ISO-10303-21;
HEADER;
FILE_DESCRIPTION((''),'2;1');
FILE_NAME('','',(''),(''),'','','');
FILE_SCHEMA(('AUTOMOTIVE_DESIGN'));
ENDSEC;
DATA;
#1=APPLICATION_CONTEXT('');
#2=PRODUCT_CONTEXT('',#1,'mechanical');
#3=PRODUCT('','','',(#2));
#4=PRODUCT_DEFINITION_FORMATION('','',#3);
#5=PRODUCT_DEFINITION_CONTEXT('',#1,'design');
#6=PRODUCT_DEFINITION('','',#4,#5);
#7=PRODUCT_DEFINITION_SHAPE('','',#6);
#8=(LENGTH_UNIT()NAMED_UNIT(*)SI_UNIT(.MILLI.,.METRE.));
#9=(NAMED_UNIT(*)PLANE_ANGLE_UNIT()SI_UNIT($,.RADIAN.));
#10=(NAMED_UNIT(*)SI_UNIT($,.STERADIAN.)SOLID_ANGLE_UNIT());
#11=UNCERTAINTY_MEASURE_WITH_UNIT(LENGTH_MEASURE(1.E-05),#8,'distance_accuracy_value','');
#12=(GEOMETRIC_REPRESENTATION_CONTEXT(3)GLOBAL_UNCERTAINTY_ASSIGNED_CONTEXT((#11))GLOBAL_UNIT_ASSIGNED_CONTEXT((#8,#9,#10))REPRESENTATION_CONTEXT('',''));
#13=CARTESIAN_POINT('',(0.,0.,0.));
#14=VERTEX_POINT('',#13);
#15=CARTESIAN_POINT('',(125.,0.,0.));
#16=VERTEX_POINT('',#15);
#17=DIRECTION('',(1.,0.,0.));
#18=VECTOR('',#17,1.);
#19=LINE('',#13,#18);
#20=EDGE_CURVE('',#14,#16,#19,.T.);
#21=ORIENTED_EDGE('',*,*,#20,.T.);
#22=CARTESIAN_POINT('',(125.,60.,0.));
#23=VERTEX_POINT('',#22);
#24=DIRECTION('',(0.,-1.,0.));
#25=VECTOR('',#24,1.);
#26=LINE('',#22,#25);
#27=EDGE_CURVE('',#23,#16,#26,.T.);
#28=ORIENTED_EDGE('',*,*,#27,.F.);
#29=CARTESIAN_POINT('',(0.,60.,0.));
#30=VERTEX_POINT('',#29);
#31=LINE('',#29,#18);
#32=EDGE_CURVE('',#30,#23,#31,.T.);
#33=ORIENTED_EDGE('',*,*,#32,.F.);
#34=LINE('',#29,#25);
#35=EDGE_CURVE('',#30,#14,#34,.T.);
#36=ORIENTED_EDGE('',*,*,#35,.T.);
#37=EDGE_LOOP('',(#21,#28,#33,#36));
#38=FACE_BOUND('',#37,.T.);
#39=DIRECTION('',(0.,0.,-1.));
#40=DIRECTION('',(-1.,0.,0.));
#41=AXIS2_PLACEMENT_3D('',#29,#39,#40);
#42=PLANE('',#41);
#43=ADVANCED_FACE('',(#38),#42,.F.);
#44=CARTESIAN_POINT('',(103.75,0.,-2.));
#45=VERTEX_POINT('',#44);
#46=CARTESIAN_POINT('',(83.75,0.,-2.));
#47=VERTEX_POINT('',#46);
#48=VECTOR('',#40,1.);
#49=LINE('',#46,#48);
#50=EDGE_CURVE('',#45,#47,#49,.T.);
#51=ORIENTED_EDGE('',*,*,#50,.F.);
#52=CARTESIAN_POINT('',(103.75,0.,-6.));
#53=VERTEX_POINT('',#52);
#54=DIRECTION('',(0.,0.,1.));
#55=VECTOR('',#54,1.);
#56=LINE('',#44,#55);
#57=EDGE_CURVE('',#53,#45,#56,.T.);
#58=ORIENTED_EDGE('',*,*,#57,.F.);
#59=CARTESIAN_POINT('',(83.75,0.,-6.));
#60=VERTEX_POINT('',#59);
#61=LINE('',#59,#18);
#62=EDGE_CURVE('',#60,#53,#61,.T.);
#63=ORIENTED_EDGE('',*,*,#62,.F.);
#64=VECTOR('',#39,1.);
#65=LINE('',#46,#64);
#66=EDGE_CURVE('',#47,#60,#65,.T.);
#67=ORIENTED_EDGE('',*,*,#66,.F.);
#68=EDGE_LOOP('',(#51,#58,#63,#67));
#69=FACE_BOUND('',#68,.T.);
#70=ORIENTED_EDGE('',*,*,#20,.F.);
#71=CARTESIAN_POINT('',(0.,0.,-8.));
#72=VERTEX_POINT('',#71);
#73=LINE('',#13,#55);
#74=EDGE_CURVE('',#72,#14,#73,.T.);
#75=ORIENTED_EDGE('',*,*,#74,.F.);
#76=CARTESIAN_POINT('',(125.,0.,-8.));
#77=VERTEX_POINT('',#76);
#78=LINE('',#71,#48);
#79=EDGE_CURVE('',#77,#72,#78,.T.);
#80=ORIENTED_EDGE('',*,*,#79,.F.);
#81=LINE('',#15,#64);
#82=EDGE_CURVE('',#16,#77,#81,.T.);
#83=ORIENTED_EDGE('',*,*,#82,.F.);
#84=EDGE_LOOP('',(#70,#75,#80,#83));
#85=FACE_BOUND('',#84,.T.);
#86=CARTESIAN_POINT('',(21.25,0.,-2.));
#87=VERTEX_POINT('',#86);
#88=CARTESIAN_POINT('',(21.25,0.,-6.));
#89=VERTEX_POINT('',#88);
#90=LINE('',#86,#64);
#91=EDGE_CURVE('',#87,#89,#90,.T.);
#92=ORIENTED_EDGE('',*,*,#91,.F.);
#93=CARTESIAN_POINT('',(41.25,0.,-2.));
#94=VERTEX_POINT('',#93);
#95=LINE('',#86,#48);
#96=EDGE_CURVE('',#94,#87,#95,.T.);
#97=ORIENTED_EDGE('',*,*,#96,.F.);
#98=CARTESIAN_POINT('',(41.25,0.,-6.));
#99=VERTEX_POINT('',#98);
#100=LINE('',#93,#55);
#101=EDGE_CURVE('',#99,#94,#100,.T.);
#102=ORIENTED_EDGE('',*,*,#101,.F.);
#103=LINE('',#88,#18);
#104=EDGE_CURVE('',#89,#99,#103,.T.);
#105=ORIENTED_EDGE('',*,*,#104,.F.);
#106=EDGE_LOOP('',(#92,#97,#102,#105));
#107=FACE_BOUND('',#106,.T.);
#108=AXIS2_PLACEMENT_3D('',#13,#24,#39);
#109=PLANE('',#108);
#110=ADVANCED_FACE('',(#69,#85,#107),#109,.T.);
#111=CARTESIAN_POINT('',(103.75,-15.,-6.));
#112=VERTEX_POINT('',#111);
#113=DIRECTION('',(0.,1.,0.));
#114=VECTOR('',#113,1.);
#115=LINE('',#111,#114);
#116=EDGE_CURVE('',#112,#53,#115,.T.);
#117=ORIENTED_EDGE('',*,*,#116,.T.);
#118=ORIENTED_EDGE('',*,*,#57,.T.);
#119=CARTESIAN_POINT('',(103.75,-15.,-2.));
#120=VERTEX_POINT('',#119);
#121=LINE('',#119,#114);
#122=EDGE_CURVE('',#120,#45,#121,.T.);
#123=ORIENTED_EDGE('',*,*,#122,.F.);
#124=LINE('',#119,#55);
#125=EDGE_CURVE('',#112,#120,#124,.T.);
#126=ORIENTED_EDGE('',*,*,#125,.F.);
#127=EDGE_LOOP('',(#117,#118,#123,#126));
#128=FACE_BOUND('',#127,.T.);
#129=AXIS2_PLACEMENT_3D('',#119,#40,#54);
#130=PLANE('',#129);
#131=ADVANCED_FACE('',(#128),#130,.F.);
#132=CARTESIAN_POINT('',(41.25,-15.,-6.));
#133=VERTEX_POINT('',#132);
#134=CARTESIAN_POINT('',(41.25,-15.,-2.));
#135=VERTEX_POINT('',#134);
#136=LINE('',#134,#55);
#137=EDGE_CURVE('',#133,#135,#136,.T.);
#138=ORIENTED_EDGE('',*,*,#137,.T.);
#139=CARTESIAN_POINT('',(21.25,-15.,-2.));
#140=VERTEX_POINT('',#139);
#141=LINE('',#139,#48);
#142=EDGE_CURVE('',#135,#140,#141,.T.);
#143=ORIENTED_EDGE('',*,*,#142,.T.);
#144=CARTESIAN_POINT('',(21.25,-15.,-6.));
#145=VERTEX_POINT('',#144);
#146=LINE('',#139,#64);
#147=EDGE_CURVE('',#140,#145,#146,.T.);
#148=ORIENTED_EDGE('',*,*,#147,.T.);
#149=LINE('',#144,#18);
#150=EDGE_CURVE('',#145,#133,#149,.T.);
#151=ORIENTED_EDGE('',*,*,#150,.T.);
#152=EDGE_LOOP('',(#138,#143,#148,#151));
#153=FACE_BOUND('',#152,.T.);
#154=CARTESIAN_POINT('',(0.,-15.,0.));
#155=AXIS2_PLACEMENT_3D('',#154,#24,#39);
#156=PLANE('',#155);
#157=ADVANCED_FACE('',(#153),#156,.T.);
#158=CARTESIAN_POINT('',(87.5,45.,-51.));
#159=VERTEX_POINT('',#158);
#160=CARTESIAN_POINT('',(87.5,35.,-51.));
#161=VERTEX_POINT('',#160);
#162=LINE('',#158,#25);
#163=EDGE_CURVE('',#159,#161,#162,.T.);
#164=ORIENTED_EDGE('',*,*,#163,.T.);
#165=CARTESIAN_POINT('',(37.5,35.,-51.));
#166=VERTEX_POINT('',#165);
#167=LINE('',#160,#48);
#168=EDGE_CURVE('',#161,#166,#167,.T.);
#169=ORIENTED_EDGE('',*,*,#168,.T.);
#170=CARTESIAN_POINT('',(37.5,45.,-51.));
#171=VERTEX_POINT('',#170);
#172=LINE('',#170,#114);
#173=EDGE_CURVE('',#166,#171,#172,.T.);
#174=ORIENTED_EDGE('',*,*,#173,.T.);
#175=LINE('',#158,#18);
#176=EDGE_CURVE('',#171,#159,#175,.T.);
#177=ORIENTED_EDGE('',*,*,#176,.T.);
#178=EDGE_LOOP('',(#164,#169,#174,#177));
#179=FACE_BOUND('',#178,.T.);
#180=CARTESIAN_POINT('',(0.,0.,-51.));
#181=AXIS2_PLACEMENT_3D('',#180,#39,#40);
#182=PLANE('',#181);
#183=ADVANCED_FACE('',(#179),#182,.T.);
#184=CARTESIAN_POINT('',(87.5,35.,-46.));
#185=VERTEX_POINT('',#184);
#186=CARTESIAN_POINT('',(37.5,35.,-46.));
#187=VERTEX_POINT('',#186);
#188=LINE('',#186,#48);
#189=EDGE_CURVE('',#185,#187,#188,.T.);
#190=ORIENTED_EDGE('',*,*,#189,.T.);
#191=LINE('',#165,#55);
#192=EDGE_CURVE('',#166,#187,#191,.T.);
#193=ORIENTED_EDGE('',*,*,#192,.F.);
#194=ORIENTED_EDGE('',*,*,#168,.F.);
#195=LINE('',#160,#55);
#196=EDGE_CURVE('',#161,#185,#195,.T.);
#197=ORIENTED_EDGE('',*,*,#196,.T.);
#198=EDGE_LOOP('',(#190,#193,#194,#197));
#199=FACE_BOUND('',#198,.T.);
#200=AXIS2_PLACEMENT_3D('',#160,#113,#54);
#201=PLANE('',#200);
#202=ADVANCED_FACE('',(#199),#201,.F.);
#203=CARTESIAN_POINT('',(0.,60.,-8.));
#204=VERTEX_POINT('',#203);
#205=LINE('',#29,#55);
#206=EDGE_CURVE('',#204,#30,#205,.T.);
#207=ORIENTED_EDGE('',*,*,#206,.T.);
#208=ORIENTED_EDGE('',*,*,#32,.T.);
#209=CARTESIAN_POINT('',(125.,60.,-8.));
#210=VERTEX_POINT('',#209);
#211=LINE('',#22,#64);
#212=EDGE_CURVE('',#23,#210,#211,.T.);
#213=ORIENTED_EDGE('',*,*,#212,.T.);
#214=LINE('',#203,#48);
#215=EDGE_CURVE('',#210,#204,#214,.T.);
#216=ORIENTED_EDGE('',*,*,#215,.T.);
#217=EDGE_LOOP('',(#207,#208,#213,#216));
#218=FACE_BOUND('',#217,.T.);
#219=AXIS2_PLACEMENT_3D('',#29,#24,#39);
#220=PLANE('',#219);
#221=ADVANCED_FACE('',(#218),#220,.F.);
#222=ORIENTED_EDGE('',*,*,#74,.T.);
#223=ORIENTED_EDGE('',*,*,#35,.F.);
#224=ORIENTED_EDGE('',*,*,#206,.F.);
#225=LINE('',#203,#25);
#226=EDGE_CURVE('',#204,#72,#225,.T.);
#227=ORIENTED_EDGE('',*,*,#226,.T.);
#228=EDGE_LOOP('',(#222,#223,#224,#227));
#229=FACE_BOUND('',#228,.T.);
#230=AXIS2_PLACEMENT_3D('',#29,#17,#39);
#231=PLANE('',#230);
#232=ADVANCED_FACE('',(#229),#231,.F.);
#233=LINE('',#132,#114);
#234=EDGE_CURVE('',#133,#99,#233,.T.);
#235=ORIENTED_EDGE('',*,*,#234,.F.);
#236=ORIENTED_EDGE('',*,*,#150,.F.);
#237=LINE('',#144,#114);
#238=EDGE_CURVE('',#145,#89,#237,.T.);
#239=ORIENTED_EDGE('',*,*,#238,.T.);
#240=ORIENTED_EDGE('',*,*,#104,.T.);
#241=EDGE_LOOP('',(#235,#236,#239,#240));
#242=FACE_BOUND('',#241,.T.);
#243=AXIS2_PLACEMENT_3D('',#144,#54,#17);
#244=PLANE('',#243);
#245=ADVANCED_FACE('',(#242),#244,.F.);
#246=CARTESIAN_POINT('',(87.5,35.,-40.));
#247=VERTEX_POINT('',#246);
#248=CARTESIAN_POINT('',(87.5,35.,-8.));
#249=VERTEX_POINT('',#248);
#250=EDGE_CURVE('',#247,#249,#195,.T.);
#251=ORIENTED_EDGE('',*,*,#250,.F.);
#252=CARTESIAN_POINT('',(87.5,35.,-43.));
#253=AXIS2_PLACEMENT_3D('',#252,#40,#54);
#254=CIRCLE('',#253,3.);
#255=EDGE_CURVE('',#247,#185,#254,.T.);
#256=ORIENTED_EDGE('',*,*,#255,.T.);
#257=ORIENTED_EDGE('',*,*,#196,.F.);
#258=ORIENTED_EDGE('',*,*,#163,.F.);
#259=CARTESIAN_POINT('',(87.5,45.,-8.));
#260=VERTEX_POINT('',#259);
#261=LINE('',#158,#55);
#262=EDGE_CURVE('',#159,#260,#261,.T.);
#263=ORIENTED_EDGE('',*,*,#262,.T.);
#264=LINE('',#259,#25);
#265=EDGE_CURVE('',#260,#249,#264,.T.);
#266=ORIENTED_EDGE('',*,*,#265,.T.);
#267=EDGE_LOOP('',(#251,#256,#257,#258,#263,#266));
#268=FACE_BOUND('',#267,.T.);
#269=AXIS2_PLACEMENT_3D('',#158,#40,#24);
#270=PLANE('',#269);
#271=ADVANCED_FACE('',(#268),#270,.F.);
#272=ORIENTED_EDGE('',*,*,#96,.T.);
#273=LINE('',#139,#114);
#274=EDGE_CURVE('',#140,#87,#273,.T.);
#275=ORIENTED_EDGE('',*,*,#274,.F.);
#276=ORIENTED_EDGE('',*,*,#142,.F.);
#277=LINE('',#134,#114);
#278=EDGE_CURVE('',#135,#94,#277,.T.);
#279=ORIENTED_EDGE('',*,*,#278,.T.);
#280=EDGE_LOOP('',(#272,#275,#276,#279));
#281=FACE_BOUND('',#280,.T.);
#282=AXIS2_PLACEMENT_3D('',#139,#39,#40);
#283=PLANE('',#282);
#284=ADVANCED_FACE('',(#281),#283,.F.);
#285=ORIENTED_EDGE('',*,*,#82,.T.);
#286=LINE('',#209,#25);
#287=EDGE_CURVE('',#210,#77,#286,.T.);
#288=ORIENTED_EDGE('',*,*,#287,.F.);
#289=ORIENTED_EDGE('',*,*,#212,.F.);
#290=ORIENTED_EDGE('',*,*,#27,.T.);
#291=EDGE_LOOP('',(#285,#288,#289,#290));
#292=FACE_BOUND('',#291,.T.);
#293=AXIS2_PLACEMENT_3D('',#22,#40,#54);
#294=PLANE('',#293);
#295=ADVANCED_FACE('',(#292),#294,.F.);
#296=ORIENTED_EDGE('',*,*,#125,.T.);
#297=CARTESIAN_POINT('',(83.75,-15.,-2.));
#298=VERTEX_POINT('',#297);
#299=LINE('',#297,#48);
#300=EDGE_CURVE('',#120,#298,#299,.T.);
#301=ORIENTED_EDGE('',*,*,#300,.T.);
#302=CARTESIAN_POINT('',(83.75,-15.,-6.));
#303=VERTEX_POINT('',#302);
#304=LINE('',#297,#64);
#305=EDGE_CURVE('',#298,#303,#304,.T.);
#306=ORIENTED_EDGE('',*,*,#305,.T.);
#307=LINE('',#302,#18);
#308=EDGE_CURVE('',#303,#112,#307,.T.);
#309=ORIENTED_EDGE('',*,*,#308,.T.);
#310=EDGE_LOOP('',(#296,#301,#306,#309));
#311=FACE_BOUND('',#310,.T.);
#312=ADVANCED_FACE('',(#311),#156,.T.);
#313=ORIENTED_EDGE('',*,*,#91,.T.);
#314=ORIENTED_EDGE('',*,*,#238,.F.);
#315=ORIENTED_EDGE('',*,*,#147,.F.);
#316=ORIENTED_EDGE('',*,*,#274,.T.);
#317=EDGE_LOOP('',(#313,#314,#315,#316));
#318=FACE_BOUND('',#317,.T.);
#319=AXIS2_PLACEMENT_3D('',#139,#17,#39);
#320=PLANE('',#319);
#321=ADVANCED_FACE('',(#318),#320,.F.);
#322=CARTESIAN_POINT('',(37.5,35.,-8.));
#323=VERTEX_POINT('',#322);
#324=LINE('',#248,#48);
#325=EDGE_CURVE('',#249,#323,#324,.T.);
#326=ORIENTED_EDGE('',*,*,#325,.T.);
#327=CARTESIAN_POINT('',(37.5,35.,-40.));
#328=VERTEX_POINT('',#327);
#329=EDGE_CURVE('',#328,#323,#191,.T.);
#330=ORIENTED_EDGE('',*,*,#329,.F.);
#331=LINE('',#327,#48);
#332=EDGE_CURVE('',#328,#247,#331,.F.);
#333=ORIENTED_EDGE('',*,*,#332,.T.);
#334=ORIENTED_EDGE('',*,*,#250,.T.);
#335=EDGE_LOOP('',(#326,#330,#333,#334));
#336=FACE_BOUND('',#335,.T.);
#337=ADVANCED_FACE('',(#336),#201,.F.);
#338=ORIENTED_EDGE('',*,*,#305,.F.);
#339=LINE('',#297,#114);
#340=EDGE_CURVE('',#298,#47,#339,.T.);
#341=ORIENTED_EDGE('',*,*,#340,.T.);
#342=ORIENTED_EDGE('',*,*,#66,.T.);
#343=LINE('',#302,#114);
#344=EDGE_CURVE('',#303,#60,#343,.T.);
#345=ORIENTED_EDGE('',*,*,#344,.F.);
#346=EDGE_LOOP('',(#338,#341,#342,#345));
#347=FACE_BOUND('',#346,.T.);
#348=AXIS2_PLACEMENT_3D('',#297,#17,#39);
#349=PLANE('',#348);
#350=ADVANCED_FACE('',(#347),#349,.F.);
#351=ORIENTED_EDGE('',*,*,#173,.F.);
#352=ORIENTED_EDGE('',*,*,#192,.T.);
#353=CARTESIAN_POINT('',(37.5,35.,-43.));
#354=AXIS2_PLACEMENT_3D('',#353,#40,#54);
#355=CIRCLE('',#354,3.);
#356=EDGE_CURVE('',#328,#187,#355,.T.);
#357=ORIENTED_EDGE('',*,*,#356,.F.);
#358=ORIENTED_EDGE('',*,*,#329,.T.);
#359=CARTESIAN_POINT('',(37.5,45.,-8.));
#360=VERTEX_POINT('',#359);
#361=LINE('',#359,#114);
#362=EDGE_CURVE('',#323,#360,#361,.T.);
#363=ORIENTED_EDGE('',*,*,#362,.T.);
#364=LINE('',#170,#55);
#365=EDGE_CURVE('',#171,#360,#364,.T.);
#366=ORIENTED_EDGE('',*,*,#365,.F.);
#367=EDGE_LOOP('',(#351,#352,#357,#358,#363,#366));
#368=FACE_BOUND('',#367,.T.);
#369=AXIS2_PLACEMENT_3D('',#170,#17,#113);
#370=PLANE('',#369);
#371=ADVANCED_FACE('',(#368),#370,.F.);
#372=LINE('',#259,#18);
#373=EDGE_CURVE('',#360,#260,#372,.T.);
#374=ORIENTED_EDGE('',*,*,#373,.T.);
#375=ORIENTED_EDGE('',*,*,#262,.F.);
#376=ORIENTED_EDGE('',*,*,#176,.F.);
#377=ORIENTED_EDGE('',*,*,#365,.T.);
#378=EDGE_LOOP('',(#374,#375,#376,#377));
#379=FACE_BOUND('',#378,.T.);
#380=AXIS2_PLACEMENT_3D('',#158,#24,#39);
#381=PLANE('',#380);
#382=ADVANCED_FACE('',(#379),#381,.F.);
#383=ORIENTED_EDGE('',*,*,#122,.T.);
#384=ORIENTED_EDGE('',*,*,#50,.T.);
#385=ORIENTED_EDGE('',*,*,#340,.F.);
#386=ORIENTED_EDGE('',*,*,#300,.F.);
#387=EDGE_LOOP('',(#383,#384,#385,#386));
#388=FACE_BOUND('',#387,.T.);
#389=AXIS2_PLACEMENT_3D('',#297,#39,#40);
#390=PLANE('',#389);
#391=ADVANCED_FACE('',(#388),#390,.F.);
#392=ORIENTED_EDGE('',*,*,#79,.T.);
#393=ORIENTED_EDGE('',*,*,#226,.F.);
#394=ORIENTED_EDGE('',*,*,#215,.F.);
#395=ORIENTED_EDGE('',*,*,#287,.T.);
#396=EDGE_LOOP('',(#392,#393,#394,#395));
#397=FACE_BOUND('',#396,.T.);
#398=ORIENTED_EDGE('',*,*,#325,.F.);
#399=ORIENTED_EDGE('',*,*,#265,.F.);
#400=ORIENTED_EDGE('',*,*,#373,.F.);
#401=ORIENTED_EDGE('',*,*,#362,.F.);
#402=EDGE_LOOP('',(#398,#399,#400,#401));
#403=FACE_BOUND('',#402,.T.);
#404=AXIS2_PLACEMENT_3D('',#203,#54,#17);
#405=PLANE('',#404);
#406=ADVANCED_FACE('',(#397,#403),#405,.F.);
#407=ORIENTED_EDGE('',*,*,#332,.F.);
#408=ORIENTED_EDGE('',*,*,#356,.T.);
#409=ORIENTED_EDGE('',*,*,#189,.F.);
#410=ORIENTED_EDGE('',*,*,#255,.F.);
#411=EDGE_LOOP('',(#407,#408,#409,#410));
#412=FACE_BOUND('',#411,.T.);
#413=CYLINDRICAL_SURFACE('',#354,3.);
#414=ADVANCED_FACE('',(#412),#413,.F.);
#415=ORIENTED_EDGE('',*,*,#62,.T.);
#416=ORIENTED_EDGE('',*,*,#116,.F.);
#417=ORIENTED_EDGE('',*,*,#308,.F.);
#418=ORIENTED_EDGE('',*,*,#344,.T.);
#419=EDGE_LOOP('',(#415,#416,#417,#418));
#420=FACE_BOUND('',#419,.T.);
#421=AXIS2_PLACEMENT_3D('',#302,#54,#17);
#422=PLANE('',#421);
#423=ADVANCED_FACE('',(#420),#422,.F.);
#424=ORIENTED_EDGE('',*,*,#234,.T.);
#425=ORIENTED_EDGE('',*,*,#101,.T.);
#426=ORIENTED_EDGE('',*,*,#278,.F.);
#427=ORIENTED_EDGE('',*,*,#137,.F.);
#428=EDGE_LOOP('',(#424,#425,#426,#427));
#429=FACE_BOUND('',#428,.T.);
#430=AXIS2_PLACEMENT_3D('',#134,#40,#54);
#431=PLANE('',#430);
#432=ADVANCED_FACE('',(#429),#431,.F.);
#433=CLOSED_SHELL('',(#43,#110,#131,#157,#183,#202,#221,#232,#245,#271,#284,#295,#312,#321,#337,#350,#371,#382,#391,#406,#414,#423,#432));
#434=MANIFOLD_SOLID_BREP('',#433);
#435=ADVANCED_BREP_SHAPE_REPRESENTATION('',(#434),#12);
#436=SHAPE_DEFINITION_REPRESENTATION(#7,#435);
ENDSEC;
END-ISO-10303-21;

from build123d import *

# Parameters (mm, degrees)
SKETCH_1_W      = 125
SKETCH_1_H      = 8
EXTRUDE_1_DEPTH = 60
SKETCH_2_W      = 50
SKETCH_2_H      = 10
EXTRUDE_2_DEPTH = 43
SKETCH_3_W      = 20
SKETCH_3_H      = 4
EXTRUDE_3_DEPTH = 15
SKETCH_4_W      = 50
SKETCH_4_H      = 3


with BuildPart() as part:
    # 草图1 → 凸台-拉伸1 (new body)
    with BuildSketch(Plane(origin=(0, 0, 0), x_dir=(1, 0, 0), z_dir=(0, 1, 0))):
        with Locations((62.5, 4)):
            Rectangle(SKETCH_1_W, SKETCH_1_H)
    extrude(amount=EXTRUDE_1_DEPTH)

    # 草图2 → 凸台-拉伸2 (add)
    with BuildSketch(Plane(origin=(0, 0, -8), x_dir=(-1, 0, 0), z_dir=(0, 0, -1))):
        with Locations((-62.5, 40)):
            Rectangle(SKETCH_2_W, SKETCH_2_H)
    extrude(amount=EXTRUDE_2_DEPTH)

    # 草图3 → 凸台-拉伸3 (add)
    with BuildSketch(Plane.XZ):
        with Locations((31.25, -4)):
            Rectangle(SKETCH_3_W, SKETCH_3_H)
        with Locations((93.75, -4)):
            Rectangle(SKETCH_3_W, SKETCH_3_H)
    extrude(amount=EXTRUDE_3_DEPTH)

    # 草图4 → 切除-旋转1 (revolve, cut)
    with BuildSketch(Plane.XZ.offset(-35)):
        with Locations((62.5, -44.5)):
            Rectangle(SKETCH_4_W, SKETCH_4_H)
    revolve(axis=Axis((37.5, 35, -43), (1, 0, 0)), mode=Mode.SUBTRACT)


solid = part.part
